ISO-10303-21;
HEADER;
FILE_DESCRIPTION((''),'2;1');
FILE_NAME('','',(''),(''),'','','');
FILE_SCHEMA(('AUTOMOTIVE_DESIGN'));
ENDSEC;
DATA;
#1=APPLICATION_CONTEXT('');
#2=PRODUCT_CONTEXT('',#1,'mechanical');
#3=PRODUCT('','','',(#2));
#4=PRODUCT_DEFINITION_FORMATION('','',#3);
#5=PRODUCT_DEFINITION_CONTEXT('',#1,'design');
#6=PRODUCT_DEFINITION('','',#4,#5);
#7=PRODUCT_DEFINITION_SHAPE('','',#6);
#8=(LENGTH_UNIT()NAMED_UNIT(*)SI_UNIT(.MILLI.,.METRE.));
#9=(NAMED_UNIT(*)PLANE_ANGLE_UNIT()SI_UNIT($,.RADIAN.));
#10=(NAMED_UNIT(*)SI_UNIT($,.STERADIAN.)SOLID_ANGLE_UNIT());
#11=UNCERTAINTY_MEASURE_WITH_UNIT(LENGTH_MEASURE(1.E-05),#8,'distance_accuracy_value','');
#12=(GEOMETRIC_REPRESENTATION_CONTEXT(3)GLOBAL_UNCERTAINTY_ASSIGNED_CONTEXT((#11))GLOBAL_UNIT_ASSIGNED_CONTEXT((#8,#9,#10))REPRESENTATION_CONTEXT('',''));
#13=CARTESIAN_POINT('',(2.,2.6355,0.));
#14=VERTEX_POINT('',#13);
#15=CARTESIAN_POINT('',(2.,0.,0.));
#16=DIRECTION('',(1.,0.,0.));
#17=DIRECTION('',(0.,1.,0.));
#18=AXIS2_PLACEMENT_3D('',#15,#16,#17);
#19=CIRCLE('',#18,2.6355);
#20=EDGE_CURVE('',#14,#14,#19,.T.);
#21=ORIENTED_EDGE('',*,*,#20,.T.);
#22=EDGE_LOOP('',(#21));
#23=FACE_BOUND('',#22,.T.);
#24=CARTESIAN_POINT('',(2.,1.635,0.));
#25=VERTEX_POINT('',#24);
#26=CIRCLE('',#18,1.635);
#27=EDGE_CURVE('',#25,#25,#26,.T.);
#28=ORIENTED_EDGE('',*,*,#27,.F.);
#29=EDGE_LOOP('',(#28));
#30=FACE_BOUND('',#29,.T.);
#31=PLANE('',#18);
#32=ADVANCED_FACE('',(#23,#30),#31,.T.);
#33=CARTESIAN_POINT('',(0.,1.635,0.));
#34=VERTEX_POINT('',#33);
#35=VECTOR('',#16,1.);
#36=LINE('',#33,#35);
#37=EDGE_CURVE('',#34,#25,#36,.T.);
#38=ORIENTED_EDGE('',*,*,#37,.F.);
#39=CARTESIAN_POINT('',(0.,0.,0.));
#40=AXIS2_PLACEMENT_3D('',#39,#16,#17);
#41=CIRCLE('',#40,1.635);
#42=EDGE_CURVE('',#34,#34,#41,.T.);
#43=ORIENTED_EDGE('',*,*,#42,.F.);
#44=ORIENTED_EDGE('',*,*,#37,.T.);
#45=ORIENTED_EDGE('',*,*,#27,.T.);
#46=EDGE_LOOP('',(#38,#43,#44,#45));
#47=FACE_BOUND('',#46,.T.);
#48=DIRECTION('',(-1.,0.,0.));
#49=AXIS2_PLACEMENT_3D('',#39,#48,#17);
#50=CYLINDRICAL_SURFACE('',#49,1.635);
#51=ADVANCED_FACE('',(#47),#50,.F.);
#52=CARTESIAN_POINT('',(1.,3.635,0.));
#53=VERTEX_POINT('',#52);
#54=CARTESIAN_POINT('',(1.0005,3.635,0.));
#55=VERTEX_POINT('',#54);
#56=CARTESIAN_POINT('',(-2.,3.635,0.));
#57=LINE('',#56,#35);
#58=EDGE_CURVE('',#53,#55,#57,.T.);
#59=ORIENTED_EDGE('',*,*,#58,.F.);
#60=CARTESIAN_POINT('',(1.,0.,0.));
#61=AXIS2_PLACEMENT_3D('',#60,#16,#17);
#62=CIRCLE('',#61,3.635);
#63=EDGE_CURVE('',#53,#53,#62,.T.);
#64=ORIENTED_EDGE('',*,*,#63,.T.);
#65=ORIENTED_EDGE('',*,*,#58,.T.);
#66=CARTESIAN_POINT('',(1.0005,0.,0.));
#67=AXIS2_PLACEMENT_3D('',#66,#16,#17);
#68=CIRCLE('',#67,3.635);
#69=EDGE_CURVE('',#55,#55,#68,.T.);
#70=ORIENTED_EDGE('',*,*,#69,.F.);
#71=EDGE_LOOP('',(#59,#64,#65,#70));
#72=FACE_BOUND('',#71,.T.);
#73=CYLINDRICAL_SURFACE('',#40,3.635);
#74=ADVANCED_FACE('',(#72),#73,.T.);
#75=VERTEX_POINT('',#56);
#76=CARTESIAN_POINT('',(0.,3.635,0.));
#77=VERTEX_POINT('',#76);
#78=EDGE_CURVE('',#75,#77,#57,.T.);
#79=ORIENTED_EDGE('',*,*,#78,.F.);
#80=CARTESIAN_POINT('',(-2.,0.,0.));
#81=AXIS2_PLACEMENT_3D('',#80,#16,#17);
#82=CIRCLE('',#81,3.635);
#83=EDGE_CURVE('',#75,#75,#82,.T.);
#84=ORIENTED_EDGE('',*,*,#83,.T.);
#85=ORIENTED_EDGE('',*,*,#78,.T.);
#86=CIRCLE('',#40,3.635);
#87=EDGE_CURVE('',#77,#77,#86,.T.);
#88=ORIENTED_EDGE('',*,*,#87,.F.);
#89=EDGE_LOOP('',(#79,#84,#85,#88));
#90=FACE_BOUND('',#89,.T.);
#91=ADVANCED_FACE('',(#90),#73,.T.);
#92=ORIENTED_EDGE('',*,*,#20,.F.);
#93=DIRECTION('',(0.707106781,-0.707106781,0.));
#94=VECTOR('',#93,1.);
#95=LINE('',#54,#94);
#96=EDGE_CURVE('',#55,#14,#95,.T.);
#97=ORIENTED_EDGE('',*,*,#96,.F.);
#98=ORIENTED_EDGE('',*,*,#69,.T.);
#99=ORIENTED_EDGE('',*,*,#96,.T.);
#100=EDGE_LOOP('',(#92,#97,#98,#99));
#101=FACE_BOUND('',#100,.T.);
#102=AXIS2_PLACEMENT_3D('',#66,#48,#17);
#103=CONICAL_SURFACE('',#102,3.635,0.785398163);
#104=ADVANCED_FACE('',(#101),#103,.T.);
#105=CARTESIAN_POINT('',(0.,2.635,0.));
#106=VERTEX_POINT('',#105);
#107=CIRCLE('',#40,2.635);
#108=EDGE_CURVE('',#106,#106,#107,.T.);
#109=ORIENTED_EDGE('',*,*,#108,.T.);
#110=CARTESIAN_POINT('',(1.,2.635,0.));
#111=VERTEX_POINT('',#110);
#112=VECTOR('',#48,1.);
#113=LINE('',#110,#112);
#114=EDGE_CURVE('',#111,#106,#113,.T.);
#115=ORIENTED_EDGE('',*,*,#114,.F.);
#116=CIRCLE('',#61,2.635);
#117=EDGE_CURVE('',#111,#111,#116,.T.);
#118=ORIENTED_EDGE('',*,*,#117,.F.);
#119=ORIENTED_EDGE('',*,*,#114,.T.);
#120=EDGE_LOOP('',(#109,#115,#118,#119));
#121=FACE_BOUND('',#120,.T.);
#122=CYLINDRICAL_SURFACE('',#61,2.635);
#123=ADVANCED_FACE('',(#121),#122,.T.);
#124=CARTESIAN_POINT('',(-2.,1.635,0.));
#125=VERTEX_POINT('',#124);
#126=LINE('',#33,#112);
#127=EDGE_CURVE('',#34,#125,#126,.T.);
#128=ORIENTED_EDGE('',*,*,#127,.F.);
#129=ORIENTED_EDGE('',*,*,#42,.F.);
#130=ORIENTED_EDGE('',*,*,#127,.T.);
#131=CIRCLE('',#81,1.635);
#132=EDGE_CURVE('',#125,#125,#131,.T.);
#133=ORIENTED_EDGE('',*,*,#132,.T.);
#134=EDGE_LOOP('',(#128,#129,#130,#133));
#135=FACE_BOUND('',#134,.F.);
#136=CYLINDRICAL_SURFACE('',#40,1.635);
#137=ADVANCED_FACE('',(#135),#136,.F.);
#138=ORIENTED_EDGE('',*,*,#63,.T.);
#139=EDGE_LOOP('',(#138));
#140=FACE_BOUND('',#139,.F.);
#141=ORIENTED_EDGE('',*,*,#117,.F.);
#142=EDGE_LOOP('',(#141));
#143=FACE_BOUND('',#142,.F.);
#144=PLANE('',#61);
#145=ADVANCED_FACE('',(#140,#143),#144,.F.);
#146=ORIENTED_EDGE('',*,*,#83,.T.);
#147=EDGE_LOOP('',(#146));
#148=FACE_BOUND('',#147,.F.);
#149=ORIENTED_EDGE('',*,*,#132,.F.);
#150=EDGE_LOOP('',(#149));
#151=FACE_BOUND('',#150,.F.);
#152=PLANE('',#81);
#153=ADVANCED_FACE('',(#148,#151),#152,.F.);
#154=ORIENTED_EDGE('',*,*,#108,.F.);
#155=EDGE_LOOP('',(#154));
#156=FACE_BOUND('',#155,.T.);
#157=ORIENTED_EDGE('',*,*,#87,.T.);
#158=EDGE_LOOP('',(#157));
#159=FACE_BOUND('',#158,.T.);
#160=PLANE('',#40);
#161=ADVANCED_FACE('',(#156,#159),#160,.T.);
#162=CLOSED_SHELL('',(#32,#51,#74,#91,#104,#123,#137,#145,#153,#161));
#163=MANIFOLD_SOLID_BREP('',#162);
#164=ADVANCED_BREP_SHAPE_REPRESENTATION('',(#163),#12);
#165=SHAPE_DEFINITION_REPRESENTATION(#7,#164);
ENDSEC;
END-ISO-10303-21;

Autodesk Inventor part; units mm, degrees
ref_plane "YZ Plane" through (0, 0, 0) normal (1, 0, 0) x (0, 1, 0)
ref_plane "XZ Plane" through (0, 0, 0) normal (0, 1, 0) x (-1, 0, 0)
sketch "スケッチ1" plane through (0, 0, 0) normal (1, 0, 0) x (0, 1, 0)
  circle A0 centre (0, 0) radius 3.635
  circle A1 centre (0, 0) radius 1.635
  circle A2 centre (0, 0) radius 2.635
  dimension "d0" = 3.27
  dimension "d1" = 2
  dimension "d7" = 1
extrude "押し出し1" add sketch "スケッチ1" along normal mid plane 4 contours A0 | A2
ref_plane "作業平面1" through (1, 0, 0) normal (1, 0, 0) x (0, 0, -1)
extrude "押し出し3" cut sketch "スケッチ1" against normal blind 1 from surface at 1 contours A0
chamfer "面取り3" distance 1 angle 45 1 edges at (2, -3.635, 0)
properties part number "spacer_Φ3.2_1"
